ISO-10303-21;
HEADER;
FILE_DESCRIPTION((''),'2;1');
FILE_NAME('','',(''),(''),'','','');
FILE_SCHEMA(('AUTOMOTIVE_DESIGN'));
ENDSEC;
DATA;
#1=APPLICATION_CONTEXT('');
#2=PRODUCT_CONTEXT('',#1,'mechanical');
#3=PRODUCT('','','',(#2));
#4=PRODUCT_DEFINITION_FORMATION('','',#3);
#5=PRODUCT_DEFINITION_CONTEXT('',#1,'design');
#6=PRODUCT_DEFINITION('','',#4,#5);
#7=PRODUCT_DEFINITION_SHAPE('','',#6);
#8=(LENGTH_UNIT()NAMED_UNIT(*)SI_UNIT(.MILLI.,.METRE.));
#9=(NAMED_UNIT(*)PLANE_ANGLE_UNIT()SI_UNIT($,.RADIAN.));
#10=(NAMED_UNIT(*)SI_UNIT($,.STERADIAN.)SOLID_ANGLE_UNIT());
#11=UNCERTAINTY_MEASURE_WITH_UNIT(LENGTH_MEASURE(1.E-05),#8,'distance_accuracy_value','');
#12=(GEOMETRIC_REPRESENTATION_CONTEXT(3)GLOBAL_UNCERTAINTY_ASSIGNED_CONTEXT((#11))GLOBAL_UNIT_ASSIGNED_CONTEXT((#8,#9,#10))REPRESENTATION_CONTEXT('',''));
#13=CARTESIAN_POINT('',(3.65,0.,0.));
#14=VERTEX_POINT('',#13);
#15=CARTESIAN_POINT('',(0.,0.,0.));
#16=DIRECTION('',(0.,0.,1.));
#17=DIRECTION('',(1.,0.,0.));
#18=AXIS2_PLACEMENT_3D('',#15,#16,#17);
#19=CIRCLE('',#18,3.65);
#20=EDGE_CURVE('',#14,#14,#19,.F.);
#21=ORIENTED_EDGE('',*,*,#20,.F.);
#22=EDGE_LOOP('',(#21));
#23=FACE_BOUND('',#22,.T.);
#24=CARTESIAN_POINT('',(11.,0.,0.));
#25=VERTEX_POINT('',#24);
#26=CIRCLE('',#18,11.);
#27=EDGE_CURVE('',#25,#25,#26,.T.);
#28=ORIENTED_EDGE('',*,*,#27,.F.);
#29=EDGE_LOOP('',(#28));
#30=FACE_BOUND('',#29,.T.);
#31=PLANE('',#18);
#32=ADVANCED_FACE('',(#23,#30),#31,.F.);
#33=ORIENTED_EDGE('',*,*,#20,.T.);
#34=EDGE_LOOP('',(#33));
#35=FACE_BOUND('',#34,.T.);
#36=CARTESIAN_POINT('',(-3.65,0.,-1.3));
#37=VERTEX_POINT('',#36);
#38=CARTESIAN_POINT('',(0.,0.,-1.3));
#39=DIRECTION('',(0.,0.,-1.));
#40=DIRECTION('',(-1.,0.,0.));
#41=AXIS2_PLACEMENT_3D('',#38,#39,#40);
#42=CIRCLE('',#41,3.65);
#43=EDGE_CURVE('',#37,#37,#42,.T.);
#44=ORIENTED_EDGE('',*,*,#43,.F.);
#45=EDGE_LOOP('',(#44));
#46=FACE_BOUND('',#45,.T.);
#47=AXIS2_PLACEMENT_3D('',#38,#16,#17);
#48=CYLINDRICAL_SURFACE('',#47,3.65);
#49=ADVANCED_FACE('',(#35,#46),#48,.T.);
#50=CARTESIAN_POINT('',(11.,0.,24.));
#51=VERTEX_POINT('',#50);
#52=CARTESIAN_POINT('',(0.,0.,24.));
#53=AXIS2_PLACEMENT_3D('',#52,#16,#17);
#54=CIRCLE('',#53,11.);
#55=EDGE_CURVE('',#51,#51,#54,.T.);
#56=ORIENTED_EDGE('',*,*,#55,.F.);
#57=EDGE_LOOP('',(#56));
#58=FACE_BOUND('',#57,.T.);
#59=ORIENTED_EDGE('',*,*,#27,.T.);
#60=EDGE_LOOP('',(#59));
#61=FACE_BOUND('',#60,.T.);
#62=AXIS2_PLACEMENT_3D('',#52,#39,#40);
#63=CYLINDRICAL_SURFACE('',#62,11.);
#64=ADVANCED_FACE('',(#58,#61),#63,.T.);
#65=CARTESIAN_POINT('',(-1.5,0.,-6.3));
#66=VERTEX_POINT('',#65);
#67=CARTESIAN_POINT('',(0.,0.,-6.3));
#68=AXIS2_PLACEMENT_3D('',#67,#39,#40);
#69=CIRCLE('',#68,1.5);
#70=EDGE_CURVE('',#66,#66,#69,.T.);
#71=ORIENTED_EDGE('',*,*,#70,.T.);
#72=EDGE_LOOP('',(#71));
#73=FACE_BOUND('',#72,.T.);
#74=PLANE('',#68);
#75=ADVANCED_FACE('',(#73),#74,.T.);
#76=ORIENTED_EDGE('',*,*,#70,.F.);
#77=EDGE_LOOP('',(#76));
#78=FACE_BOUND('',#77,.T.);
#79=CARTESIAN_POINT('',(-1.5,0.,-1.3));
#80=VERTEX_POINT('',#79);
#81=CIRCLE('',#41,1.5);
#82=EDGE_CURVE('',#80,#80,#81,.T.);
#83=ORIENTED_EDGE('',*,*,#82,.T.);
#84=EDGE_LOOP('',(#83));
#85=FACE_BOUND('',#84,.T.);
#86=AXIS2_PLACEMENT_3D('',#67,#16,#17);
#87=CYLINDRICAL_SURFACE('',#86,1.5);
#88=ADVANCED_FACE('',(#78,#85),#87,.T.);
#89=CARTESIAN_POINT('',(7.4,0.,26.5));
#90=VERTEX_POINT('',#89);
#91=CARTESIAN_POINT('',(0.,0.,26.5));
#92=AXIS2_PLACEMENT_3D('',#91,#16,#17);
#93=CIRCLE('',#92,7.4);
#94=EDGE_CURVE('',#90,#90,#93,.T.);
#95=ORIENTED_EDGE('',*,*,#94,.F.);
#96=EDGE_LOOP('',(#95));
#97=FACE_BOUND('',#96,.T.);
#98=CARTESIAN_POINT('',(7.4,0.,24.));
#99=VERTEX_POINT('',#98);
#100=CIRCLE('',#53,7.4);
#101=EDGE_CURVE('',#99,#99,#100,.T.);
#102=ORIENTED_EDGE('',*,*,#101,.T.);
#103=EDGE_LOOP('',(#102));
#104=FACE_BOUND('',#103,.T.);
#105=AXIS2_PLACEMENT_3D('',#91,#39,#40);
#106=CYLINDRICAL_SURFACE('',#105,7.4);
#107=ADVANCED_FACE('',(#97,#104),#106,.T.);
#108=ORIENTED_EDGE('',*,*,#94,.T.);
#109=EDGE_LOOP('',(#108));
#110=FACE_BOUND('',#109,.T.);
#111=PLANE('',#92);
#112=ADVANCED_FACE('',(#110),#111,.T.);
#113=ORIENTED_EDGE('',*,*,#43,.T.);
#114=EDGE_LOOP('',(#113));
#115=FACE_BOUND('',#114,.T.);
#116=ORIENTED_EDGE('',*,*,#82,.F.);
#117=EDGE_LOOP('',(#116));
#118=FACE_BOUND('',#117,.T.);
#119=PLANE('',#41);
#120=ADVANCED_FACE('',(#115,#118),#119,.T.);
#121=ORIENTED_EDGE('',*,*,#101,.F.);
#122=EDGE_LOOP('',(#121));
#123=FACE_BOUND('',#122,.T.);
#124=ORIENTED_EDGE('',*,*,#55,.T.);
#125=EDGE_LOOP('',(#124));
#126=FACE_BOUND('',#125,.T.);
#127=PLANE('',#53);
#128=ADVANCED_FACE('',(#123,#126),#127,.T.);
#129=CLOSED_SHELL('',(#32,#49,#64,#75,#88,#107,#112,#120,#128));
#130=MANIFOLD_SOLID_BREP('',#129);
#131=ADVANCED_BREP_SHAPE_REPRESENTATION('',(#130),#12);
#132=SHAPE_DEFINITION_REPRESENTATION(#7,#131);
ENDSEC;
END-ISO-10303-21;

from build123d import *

# Parameters (mm, degrees)
SKETCH1_R      = 11
EXTRUDE1_DEPTH = 24
SKETCH2_R      = 7.4
EXTRUDE3_DEPTH = 2.5
SKETCH3_R      = 3.65
EXTRUDE4_DEPTH = 1.3
SKETCH4_R      = 1.5
EXTRUDE5_DEPTH = 5


with BuildPart() as part:
    # Sketch1 → Extrude1 (new body)
    with BuildSketch(Plane.XY):
        Circle(SKETCH1_R)
    extrude(amount=EXTRUDE1_DEPTH)

    # Sketch2 → Extrude3 (add)
    with BuildSketch(Plane.XY.offset(24)):
        Circle(SKETCH2_R)
    extrude(amount=EXTRUDE3_DEPTH)

    # Sketch3 → Extrude4 (add)
    with BuildSketch(Plane(origin=(0, 0, 0), x_dir=(-1, 0, 0), z_dir=(0, 0, -1))):
        Circle(SKETCH3_R)
    extrude(amount=EXTRUDE4_DEPTH)

    # Sketch4 → Extrude5 (add)
    with BuildSketch(Plane(origin=(0, 0, -1.3), x_dir=(-1, 0, 0), z_dir=(0, 0, -1))):
        Circle(SKETCH4_R)
    extrude(amount=EXTRUDE5_DEPTH)


solid = part.part
